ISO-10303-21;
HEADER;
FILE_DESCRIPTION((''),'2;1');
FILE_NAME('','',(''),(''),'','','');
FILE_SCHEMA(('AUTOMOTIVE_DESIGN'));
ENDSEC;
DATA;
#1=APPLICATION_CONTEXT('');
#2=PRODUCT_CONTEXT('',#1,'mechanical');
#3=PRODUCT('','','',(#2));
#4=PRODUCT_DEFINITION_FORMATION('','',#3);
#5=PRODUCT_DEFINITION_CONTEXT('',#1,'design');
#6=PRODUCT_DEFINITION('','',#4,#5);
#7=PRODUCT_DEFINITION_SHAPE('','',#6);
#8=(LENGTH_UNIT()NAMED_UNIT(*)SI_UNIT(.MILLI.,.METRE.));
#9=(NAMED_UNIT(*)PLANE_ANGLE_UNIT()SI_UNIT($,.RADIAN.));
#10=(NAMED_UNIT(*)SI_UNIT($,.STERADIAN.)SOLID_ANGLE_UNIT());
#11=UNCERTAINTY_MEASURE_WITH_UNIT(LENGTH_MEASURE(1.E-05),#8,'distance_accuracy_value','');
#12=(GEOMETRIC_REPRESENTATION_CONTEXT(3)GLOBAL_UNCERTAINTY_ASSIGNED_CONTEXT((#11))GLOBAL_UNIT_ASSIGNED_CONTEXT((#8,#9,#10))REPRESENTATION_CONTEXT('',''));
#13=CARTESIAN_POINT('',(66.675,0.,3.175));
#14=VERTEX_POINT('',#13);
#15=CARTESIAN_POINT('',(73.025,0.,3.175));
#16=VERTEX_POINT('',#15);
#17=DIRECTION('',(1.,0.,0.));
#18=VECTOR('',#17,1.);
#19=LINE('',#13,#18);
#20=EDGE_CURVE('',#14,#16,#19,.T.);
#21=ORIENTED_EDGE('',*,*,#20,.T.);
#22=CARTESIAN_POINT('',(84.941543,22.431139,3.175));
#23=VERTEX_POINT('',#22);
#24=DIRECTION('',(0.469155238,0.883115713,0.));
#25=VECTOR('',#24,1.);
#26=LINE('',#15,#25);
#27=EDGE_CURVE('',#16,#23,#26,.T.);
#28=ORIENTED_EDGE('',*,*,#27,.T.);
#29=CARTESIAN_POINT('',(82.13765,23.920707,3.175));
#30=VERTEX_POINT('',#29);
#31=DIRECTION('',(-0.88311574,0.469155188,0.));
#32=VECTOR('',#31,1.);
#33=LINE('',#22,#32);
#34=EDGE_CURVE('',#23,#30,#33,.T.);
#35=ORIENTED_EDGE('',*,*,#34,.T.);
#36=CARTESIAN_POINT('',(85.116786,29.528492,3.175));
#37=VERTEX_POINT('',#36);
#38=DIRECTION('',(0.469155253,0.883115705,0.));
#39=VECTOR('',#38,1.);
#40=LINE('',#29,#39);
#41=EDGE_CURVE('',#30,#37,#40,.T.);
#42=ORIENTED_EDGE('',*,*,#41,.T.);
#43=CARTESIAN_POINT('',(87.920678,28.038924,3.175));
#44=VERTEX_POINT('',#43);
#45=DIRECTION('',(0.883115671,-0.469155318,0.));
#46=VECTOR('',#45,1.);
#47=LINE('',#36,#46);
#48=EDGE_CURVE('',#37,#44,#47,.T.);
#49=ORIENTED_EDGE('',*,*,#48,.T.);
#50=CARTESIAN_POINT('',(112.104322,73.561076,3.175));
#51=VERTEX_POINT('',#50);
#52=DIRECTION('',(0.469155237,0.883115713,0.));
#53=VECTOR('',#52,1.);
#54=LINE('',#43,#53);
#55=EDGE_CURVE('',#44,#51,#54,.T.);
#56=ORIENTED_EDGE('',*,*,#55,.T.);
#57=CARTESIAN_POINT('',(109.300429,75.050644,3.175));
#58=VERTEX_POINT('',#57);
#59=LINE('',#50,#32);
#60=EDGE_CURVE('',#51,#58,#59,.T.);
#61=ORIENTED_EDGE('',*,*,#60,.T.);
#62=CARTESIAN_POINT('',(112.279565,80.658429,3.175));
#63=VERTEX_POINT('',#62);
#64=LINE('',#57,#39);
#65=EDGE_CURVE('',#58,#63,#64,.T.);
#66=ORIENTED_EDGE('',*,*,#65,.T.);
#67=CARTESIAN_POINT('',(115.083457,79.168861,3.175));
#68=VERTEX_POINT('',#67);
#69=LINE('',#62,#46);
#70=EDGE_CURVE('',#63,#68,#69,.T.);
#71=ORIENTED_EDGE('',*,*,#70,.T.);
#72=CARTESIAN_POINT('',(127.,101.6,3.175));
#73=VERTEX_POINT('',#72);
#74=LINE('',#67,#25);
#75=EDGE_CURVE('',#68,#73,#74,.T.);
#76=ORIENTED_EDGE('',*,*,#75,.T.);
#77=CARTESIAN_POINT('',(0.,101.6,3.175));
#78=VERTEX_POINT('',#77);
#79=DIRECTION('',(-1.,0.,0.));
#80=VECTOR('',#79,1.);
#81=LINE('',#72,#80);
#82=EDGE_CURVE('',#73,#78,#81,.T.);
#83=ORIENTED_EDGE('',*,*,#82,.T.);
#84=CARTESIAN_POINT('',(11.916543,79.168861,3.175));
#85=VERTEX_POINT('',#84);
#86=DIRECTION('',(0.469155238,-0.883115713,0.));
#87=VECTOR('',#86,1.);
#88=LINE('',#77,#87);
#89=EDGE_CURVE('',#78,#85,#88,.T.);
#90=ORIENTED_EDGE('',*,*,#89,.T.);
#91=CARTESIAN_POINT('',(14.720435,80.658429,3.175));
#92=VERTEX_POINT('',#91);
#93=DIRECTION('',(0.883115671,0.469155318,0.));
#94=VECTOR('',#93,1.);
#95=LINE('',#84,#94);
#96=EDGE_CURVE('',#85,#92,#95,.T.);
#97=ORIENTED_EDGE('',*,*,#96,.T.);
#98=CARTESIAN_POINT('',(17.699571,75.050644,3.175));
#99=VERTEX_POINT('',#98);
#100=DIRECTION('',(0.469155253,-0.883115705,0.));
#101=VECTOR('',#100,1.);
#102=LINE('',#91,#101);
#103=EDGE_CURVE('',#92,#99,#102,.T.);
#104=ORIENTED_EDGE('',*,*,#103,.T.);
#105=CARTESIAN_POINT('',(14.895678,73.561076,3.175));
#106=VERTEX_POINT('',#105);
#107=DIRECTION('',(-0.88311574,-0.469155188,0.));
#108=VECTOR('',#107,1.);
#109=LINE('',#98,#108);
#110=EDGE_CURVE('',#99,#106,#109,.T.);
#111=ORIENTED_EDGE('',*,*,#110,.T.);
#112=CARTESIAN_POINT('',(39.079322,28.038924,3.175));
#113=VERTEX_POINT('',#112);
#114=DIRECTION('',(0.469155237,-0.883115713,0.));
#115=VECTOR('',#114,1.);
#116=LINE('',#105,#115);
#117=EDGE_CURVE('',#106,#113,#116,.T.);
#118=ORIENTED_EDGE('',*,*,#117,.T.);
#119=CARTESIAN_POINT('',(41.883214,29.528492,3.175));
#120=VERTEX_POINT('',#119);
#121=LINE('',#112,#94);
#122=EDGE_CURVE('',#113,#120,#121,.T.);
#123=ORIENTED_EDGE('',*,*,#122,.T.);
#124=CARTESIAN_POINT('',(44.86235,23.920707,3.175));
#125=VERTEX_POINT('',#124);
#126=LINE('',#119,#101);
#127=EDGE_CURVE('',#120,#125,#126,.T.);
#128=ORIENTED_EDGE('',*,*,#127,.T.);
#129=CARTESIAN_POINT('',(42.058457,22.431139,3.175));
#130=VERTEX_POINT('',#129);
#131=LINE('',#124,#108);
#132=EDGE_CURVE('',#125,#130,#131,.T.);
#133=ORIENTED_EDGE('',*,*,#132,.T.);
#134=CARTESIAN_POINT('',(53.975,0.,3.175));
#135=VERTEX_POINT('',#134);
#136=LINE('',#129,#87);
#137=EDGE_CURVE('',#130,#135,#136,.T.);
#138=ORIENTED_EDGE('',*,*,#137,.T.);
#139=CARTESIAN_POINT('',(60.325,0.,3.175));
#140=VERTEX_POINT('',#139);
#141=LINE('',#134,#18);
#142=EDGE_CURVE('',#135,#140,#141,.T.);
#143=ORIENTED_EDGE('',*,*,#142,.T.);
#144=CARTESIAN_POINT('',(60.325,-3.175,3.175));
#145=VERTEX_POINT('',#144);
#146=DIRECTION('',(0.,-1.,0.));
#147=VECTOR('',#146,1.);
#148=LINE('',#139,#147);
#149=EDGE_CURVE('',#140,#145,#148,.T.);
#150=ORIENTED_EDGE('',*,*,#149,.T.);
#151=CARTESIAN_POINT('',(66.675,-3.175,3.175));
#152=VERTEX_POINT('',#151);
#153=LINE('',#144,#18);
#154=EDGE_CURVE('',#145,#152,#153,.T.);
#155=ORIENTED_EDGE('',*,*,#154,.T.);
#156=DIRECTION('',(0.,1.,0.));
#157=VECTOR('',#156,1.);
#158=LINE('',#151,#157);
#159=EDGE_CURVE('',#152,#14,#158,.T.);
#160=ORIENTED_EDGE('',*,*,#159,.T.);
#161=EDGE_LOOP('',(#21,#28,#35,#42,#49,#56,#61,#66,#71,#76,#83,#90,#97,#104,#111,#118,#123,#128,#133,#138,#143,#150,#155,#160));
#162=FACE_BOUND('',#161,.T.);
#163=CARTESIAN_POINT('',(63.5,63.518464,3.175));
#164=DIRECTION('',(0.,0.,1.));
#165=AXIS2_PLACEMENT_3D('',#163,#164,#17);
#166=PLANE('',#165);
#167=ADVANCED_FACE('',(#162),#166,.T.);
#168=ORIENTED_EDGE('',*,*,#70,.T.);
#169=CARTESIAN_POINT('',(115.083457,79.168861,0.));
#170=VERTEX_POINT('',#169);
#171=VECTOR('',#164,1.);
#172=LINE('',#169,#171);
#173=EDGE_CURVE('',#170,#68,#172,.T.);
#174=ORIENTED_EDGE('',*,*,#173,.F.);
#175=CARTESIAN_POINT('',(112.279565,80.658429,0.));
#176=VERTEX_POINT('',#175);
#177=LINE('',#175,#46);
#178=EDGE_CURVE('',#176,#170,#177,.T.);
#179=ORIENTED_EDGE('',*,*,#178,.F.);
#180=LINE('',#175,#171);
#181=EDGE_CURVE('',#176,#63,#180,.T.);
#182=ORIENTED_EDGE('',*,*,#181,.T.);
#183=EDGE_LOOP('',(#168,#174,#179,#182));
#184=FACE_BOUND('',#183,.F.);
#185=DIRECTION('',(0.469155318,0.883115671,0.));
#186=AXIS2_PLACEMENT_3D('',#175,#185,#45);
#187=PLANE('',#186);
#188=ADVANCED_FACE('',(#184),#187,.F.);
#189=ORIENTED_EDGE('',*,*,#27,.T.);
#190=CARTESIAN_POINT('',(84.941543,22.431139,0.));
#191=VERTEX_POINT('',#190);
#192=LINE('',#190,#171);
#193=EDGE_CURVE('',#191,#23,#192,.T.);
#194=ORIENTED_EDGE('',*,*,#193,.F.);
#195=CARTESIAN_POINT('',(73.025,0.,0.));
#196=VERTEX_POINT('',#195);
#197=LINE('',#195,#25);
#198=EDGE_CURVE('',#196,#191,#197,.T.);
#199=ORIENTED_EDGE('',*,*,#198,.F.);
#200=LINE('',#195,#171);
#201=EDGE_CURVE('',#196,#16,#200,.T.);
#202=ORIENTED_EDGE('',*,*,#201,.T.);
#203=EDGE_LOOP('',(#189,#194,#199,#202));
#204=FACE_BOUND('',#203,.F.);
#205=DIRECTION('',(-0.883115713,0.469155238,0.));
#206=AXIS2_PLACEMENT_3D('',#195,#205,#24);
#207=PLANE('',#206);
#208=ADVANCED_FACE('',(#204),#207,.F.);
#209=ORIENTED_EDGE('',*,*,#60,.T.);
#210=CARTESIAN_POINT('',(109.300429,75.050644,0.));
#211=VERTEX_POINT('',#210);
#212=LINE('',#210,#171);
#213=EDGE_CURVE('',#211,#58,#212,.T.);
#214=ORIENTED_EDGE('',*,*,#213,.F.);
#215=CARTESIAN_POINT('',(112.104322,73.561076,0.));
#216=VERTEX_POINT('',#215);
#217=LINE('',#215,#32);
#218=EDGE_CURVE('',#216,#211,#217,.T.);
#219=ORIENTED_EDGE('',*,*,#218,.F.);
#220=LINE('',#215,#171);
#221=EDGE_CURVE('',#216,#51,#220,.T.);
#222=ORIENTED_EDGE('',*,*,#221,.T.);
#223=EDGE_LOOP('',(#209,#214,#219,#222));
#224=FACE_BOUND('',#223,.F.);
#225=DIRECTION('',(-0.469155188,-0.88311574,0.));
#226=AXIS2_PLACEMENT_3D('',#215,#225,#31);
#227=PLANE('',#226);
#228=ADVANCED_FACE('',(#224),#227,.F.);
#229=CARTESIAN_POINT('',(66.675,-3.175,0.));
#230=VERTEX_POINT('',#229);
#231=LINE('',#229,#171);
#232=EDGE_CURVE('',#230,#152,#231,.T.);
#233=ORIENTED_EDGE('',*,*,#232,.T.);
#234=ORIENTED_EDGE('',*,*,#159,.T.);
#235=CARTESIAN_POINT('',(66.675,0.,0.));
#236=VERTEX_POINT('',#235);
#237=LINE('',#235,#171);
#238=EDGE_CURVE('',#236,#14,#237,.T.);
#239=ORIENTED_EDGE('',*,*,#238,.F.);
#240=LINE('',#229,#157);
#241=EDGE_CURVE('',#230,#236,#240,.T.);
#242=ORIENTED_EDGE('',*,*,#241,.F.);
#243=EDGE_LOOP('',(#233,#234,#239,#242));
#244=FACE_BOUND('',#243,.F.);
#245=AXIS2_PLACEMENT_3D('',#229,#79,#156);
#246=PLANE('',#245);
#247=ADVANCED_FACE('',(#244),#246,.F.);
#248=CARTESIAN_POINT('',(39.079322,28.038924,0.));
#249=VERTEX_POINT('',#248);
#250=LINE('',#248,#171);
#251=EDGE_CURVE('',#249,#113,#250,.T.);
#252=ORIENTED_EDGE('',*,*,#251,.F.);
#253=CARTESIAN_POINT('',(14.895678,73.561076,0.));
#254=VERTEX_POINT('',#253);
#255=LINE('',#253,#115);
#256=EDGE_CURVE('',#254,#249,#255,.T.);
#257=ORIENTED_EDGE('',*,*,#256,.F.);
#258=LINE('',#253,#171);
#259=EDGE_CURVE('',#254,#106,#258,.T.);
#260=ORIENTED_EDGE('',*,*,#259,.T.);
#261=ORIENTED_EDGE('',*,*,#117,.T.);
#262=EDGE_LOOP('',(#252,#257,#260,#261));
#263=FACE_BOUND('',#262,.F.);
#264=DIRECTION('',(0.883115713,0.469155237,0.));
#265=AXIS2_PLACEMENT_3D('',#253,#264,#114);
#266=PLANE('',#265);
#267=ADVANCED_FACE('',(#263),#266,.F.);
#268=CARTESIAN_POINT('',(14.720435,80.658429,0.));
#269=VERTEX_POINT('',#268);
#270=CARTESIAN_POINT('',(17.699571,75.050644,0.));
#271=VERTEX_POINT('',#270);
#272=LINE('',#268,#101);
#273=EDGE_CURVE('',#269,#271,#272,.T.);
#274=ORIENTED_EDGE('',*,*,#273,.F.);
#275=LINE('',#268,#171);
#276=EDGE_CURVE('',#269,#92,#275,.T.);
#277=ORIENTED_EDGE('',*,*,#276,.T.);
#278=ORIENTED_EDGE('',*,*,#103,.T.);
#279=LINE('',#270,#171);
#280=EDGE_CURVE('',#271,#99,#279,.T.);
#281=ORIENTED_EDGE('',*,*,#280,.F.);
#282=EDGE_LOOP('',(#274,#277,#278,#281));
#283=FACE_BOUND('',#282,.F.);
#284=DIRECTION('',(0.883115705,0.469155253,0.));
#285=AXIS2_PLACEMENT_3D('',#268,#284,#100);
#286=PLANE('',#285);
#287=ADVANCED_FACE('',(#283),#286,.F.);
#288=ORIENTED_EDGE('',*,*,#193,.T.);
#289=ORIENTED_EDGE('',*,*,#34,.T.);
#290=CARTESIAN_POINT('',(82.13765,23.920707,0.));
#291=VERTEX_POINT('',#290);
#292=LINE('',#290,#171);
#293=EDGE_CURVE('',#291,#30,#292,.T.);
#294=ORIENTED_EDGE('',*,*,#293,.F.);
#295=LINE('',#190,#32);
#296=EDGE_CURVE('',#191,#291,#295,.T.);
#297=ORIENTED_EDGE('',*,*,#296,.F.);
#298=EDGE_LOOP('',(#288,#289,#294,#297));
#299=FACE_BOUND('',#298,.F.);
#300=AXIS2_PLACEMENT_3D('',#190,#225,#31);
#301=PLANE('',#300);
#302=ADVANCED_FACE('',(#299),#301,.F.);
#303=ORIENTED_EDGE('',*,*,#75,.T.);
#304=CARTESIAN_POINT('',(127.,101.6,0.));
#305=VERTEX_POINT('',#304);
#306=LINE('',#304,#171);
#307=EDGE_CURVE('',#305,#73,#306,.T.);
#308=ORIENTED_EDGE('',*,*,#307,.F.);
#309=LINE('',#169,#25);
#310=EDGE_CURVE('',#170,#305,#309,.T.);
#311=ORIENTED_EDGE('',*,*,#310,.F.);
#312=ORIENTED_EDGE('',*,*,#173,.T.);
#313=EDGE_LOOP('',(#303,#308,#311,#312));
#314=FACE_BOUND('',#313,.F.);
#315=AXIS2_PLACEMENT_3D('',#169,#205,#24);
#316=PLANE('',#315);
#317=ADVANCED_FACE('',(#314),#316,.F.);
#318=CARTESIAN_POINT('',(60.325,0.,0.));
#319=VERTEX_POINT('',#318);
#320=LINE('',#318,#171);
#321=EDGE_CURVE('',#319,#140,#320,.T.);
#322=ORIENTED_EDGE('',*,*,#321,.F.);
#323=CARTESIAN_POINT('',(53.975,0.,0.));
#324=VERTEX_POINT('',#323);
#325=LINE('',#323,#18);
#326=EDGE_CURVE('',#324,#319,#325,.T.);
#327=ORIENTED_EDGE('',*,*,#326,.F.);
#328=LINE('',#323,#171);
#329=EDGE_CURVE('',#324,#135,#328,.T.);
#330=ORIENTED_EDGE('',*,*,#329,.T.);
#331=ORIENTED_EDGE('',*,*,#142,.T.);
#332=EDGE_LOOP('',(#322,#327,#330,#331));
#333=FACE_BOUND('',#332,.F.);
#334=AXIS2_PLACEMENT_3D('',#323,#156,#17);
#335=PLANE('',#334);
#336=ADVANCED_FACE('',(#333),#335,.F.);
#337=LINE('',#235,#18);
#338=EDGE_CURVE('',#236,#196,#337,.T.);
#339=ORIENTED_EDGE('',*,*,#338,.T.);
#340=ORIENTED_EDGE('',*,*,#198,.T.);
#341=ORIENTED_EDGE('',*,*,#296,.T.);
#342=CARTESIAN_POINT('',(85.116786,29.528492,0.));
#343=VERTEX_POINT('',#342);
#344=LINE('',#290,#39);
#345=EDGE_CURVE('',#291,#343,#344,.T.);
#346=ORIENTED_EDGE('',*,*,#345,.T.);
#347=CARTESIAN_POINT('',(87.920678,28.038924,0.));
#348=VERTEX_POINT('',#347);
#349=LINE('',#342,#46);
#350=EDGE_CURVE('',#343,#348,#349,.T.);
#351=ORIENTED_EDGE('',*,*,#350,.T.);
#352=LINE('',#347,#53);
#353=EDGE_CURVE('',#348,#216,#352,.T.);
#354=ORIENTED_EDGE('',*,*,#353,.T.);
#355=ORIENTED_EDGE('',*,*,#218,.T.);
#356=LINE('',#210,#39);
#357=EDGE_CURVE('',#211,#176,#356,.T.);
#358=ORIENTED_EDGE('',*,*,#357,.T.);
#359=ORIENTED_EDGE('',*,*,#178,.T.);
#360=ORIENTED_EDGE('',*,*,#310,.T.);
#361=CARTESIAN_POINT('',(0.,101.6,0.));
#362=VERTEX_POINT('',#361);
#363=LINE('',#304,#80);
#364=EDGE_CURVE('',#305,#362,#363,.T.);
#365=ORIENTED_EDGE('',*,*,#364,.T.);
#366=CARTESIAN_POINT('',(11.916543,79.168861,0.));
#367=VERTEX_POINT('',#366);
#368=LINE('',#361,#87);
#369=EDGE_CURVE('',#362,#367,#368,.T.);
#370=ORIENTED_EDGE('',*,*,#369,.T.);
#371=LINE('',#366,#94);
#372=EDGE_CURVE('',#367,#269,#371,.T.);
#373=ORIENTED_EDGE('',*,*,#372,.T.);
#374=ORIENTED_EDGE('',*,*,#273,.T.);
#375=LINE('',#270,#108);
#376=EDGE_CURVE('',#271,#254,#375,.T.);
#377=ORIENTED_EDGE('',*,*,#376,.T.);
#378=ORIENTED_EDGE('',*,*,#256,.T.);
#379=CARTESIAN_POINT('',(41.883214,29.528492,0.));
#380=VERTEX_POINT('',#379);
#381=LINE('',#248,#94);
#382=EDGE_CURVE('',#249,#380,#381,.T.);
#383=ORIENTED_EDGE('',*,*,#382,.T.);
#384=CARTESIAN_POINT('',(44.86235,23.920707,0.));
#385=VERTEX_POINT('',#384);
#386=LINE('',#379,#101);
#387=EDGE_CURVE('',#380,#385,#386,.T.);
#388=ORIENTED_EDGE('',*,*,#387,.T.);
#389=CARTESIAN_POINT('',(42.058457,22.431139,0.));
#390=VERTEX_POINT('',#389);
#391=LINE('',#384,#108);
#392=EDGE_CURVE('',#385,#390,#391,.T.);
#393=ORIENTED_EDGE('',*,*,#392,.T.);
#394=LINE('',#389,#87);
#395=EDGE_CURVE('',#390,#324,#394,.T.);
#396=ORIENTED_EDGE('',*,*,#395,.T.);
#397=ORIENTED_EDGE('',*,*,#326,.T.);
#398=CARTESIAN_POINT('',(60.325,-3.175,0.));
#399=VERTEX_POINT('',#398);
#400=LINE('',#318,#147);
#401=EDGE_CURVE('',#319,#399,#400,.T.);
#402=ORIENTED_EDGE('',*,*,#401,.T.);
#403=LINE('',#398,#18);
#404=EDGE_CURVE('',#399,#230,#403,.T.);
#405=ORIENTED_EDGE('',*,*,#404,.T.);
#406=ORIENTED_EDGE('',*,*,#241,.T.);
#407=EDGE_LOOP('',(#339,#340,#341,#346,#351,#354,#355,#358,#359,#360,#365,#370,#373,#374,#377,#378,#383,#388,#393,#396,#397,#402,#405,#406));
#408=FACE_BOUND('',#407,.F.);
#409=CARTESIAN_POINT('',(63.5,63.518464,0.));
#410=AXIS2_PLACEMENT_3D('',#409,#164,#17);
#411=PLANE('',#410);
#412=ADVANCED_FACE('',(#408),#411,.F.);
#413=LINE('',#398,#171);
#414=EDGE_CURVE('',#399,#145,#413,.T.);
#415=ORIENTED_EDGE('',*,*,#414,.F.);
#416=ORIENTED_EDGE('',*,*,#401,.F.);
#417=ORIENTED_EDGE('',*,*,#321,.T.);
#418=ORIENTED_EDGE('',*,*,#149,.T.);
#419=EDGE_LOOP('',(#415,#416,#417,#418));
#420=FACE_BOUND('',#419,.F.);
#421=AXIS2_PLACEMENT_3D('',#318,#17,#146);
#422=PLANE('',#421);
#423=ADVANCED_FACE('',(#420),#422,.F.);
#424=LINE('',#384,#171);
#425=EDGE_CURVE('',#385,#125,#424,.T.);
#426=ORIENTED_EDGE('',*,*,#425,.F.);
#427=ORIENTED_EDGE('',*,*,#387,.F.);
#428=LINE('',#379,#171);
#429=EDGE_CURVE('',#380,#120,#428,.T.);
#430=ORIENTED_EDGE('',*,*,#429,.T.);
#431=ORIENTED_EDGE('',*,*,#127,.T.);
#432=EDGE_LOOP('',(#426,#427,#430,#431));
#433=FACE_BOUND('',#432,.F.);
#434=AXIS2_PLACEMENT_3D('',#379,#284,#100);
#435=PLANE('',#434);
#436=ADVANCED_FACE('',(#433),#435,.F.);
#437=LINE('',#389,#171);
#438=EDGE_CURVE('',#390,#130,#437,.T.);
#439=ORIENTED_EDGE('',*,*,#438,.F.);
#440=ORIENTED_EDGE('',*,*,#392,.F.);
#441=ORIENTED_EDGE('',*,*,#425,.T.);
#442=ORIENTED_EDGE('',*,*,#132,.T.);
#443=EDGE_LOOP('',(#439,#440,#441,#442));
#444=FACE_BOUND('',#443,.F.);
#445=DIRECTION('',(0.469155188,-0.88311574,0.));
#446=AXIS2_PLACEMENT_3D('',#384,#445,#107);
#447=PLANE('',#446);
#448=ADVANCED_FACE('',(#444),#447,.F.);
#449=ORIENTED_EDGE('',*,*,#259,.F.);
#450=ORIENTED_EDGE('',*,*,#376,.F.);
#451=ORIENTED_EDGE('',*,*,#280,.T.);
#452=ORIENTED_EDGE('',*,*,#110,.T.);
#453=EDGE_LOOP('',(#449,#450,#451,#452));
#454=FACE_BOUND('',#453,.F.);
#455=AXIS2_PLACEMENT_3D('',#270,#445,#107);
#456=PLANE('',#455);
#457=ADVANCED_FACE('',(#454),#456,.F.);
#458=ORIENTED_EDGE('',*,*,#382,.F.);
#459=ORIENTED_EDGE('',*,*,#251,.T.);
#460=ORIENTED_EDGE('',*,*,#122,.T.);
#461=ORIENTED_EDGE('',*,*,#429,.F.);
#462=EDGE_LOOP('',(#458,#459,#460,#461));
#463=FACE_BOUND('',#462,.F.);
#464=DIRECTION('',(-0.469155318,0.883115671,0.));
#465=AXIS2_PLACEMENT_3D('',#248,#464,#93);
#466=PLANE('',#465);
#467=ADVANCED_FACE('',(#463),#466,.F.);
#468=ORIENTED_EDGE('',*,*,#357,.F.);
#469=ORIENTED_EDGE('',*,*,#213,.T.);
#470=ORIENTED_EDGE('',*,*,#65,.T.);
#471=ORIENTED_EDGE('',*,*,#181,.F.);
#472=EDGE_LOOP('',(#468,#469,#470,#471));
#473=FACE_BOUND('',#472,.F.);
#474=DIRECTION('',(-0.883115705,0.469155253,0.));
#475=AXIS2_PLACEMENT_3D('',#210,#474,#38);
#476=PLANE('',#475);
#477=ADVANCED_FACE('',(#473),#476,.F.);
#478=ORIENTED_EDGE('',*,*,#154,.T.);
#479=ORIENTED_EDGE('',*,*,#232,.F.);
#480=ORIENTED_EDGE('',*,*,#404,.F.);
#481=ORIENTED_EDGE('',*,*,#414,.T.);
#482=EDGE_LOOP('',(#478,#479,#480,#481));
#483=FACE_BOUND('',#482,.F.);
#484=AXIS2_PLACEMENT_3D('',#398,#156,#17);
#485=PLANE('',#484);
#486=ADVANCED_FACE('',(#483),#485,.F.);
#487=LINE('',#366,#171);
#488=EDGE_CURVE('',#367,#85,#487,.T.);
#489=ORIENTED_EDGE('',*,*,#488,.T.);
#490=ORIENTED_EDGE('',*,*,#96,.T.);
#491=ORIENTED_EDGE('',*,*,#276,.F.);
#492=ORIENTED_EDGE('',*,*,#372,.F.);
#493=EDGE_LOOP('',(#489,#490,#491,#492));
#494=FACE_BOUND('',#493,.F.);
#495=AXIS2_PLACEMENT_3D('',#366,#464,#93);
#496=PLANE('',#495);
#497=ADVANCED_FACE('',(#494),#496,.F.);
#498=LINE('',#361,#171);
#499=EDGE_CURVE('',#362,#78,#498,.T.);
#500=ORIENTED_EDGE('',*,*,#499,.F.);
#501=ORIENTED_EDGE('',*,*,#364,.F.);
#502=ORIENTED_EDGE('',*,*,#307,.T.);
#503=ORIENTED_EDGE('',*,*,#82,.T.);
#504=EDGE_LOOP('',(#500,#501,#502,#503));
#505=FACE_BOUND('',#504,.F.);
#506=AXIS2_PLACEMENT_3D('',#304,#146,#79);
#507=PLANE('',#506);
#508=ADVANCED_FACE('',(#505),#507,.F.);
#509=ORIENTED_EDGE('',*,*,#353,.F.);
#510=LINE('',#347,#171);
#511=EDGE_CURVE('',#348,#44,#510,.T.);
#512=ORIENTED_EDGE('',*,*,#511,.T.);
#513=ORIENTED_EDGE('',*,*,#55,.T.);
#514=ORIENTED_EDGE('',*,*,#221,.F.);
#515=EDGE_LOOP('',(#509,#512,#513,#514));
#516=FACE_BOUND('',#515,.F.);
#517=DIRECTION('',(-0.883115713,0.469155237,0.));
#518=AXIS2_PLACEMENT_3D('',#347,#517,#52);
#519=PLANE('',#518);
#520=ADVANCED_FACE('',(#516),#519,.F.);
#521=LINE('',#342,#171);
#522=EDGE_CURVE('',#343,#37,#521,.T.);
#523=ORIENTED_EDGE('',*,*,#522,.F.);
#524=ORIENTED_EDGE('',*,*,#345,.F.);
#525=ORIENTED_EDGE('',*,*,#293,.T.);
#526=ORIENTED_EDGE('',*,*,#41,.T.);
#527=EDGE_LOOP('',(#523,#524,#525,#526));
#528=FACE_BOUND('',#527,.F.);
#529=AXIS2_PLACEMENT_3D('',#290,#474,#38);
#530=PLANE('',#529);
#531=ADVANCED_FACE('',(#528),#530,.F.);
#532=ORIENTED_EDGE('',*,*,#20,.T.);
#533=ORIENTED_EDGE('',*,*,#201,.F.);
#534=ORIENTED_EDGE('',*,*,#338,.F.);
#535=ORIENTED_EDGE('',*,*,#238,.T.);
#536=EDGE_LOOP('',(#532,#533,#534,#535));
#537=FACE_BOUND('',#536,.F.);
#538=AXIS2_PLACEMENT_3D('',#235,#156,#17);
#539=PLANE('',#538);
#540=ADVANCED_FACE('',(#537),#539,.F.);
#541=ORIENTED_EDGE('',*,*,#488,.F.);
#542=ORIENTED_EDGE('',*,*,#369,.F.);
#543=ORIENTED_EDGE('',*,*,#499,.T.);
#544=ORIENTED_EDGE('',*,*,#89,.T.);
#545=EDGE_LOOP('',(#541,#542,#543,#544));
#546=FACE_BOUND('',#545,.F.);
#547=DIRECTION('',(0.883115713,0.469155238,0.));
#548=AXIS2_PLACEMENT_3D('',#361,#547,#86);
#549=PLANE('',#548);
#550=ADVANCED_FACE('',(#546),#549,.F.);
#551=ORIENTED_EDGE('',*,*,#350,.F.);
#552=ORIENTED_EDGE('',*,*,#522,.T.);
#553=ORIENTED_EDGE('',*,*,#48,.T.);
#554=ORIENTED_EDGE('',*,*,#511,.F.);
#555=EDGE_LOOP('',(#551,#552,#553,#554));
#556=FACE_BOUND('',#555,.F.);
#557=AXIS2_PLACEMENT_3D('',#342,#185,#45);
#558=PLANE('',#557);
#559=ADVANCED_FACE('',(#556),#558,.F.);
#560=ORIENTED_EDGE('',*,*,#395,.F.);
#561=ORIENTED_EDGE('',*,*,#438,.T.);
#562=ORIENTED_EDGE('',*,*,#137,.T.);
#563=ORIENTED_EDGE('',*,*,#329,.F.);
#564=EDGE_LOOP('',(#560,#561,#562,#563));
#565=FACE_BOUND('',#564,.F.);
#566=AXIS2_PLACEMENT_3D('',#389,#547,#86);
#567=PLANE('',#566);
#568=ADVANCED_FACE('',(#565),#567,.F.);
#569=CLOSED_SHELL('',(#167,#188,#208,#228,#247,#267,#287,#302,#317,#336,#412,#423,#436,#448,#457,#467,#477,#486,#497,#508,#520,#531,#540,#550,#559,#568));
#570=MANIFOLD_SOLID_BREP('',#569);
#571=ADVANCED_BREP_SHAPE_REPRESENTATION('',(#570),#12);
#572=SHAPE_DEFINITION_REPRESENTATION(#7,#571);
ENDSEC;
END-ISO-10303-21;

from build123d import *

# Parameters (mm, degrees)
F1_DEPTH = 3.175


with BuildPart() as f1:
    # F0 (on Top) → F1 (new body)
    with BuildSketch(Plane.XY):
        Polygon((127, 101.6), (0, 101.6), (11.916543, 79.168861), (14.720435, 80.658429), (17.699571, 75.050644), (14.895678, 73.561076), (39.079322, 28.038924), (41.883214, 29.528492), (44.86235, 23.920707), (42.058457, 22.431139), (53.975, 0), (60.325, 0), (60.325, -3.175), (63.5, -3.175), (66.675, -3.175), (66.675, 0), (73.025, 0), (84.941543, 22.431139), (82.13765, 23.920707), (85.116786, 29.528492), (87.920678, 28.038924), (112.104322, 73.561076), (109.300429, 75.050644), (112.279565, 80.658429), (115.083457, 79.168861), align=None)
    extrude(amount=F1_DEPTH)


solid = f1.part
